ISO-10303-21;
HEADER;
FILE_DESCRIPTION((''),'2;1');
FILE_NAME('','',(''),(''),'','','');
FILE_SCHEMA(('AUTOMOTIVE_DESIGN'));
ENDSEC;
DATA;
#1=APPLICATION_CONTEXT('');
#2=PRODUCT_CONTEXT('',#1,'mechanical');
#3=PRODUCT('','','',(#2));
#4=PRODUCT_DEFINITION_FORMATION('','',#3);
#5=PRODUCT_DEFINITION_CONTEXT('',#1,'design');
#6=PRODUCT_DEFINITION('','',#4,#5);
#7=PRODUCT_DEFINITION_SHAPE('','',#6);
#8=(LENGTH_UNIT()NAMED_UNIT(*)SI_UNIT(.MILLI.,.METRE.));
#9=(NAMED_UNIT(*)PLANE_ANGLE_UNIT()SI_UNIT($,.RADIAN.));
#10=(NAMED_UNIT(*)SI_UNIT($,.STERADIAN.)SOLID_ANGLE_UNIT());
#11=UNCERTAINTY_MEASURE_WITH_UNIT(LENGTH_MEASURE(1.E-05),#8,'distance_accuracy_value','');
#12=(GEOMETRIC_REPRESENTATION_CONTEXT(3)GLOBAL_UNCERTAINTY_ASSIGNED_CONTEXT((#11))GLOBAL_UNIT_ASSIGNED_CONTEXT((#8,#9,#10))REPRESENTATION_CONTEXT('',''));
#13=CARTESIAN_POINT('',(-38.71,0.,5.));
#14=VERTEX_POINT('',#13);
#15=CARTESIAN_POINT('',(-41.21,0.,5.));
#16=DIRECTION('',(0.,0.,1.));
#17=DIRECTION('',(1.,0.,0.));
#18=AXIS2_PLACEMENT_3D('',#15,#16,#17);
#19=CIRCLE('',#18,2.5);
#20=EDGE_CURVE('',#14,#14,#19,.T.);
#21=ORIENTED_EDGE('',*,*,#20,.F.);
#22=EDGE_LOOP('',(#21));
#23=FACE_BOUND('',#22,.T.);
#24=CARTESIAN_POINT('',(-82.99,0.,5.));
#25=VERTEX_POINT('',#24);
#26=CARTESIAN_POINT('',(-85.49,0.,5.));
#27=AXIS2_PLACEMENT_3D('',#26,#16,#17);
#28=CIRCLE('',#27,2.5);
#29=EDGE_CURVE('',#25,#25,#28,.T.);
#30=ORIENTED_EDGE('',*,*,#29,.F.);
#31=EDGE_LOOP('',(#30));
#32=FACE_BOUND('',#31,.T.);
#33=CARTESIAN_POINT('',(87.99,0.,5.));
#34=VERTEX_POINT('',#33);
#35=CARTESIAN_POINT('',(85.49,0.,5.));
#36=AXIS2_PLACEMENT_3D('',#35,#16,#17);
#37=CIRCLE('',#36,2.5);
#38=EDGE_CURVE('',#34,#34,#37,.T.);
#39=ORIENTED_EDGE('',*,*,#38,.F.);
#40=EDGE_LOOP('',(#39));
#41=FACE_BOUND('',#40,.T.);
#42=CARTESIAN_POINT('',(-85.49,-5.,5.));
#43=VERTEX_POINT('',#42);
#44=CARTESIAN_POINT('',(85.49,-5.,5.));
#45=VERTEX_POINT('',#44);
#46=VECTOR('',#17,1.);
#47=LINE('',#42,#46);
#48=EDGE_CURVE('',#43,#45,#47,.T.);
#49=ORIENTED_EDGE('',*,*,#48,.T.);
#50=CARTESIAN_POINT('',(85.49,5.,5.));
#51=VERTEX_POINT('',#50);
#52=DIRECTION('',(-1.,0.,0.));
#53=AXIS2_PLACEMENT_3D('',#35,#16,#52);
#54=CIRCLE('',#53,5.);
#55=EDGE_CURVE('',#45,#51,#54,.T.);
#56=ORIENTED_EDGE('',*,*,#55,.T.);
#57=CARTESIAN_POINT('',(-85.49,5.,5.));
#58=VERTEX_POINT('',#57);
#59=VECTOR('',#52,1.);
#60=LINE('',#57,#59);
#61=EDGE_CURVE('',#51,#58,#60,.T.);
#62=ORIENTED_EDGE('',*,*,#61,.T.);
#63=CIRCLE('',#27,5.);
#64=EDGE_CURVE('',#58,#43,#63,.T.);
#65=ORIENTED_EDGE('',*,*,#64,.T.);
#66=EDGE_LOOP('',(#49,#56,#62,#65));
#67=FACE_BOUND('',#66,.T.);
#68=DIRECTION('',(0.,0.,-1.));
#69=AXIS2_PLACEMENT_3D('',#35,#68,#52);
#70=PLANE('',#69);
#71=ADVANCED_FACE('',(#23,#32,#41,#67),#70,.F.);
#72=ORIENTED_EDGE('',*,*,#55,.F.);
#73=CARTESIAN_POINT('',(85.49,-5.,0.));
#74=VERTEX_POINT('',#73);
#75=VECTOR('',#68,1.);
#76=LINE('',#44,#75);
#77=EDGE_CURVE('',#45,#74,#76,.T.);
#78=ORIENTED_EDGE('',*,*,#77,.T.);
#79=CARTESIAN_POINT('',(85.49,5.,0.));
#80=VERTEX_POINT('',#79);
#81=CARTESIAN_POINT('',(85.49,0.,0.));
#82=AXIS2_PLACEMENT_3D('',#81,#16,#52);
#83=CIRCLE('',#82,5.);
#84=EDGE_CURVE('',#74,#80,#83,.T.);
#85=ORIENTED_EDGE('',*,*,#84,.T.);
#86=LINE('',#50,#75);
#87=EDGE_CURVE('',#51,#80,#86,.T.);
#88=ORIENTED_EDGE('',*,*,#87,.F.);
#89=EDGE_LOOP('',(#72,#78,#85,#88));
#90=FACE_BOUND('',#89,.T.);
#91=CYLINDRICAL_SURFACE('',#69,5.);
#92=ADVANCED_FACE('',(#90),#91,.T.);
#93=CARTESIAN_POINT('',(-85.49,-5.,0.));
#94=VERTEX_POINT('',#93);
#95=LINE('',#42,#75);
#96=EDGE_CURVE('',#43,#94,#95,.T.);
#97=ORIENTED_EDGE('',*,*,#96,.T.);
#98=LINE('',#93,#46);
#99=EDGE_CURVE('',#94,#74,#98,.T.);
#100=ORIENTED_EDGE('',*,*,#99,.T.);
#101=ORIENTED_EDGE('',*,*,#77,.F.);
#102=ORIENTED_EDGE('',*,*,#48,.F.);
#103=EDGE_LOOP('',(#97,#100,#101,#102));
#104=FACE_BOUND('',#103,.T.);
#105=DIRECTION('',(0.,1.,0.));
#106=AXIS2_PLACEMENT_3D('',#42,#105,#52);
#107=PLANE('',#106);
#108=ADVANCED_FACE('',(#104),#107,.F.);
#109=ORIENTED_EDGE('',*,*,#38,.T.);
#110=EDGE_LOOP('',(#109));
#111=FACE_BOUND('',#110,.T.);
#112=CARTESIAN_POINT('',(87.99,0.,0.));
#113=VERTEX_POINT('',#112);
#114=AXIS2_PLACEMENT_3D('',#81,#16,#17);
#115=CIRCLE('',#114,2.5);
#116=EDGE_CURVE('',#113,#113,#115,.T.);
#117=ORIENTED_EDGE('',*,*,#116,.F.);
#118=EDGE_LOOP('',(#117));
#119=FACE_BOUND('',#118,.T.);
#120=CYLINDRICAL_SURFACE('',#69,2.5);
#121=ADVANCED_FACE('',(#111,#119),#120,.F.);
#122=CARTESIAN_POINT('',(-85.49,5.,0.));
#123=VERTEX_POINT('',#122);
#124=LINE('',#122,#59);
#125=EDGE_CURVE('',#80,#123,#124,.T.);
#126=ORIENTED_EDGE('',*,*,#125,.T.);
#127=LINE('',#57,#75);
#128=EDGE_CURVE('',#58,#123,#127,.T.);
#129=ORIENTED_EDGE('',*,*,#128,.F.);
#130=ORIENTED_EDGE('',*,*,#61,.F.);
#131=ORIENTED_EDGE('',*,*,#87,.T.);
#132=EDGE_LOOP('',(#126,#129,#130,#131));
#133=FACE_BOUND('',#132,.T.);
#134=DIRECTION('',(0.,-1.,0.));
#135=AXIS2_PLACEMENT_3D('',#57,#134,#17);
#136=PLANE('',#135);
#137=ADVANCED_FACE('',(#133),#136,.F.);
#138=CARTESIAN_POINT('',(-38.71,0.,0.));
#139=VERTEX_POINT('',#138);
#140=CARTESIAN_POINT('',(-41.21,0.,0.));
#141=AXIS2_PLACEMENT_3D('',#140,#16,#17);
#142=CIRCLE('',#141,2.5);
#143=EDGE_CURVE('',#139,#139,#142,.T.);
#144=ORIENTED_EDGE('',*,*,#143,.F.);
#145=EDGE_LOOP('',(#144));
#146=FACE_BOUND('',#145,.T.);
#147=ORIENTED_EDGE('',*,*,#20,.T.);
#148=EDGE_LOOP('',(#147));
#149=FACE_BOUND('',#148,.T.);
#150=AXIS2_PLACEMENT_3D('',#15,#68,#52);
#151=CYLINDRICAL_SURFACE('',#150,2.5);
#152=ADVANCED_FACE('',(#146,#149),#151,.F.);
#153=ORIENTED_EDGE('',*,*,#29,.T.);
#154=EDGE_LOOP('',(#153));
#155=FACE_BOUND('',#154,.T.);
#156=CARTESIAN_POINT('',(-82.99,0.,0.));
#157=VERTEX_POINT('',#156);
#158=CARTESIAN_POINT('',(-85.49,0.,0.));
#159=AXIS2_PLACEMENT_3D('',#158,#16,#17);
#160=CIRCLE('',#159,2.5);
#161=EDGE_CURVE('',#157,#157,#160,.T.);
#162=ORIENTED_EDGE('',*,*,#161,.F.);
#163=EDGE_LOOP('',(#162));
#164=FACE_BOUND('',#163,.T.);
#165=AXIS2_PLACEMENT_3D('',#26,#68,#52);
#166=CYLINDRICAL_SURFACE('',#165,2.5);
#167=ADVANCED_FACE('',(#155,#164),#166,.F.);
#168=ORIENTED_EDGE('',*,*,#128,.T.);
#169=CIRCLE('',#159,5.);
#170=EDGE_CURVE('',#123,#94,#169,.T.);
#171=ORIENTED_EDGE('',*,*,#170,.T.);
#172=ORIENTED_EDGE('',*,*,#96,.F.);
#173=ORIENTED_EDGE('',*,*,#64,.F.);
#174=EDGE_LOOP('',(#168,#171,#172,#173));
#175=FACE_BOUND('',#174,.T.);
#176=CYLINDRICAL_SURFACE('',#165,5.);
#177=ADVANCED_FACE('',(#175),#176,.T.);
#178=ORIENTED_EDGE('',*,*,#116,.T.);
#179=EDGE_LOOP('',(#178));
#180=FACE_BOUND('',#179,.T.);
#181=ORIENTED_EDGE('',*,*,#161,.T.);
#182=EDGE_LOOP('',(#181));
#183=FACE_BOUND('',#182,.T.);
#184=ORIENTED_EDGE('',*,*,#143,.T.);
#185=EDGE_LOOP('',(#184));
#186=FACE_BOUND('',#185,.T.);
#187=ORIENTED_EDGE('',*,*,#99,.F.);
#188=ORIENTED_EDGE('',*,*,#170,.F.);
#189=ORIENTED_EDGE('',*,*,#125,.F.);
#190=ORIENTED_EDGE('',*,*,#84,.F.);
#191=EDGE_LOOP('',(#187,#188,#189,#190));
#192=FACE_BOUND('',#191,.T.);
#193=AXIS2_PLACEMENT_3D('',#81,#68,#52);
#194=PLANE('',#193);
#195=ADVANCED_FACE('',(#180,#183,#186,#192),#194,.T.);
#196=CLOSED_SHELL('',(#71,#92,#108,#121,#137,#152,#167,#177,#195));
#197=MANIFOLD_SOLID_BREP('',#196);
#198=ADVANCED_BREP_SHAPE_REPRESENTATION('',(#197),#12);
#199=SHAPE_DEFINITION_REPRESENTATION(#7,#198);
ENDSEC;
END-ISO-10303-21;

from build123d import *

# Parameters (mm, degrees)
ESBO_O1_R                = 2.5
RESSALTO_EXTRUS_O1_DEPTH = 5


with BuildPart() as part:
    # Esboço1 → Ressalto-extrusão1 (new body)
    with BuildSketch(Plane.XY):
        with BuildLine():
            Line((-85.49, 5), (85.49, 5))
            ThreePointArc((85.49, 5), (90.49, 0), (85.49, -5))
            Line((85.49, -5), (-85.49, -5))
            ThreePointArc((-85.49, -5), (-90.49, 0), (-85.49, 5))
        make_face()
        with Locations((-85.49, 0)):
            Circle(ESBO_O1_R, mode=Mode.SUBTRACT)
        with Locations((-41.21, 0)):
            Circle(ESBO_O1_R, mode=Mode.SUBTRACT)
        with Locations((85.49, 0)):
            Circle(ESBO_O1_R, mode=Mode.SUBTRACT)
    extrude(amount=RESSALTO_EXTRUS_O1_DEPTH)


solid = part.part
